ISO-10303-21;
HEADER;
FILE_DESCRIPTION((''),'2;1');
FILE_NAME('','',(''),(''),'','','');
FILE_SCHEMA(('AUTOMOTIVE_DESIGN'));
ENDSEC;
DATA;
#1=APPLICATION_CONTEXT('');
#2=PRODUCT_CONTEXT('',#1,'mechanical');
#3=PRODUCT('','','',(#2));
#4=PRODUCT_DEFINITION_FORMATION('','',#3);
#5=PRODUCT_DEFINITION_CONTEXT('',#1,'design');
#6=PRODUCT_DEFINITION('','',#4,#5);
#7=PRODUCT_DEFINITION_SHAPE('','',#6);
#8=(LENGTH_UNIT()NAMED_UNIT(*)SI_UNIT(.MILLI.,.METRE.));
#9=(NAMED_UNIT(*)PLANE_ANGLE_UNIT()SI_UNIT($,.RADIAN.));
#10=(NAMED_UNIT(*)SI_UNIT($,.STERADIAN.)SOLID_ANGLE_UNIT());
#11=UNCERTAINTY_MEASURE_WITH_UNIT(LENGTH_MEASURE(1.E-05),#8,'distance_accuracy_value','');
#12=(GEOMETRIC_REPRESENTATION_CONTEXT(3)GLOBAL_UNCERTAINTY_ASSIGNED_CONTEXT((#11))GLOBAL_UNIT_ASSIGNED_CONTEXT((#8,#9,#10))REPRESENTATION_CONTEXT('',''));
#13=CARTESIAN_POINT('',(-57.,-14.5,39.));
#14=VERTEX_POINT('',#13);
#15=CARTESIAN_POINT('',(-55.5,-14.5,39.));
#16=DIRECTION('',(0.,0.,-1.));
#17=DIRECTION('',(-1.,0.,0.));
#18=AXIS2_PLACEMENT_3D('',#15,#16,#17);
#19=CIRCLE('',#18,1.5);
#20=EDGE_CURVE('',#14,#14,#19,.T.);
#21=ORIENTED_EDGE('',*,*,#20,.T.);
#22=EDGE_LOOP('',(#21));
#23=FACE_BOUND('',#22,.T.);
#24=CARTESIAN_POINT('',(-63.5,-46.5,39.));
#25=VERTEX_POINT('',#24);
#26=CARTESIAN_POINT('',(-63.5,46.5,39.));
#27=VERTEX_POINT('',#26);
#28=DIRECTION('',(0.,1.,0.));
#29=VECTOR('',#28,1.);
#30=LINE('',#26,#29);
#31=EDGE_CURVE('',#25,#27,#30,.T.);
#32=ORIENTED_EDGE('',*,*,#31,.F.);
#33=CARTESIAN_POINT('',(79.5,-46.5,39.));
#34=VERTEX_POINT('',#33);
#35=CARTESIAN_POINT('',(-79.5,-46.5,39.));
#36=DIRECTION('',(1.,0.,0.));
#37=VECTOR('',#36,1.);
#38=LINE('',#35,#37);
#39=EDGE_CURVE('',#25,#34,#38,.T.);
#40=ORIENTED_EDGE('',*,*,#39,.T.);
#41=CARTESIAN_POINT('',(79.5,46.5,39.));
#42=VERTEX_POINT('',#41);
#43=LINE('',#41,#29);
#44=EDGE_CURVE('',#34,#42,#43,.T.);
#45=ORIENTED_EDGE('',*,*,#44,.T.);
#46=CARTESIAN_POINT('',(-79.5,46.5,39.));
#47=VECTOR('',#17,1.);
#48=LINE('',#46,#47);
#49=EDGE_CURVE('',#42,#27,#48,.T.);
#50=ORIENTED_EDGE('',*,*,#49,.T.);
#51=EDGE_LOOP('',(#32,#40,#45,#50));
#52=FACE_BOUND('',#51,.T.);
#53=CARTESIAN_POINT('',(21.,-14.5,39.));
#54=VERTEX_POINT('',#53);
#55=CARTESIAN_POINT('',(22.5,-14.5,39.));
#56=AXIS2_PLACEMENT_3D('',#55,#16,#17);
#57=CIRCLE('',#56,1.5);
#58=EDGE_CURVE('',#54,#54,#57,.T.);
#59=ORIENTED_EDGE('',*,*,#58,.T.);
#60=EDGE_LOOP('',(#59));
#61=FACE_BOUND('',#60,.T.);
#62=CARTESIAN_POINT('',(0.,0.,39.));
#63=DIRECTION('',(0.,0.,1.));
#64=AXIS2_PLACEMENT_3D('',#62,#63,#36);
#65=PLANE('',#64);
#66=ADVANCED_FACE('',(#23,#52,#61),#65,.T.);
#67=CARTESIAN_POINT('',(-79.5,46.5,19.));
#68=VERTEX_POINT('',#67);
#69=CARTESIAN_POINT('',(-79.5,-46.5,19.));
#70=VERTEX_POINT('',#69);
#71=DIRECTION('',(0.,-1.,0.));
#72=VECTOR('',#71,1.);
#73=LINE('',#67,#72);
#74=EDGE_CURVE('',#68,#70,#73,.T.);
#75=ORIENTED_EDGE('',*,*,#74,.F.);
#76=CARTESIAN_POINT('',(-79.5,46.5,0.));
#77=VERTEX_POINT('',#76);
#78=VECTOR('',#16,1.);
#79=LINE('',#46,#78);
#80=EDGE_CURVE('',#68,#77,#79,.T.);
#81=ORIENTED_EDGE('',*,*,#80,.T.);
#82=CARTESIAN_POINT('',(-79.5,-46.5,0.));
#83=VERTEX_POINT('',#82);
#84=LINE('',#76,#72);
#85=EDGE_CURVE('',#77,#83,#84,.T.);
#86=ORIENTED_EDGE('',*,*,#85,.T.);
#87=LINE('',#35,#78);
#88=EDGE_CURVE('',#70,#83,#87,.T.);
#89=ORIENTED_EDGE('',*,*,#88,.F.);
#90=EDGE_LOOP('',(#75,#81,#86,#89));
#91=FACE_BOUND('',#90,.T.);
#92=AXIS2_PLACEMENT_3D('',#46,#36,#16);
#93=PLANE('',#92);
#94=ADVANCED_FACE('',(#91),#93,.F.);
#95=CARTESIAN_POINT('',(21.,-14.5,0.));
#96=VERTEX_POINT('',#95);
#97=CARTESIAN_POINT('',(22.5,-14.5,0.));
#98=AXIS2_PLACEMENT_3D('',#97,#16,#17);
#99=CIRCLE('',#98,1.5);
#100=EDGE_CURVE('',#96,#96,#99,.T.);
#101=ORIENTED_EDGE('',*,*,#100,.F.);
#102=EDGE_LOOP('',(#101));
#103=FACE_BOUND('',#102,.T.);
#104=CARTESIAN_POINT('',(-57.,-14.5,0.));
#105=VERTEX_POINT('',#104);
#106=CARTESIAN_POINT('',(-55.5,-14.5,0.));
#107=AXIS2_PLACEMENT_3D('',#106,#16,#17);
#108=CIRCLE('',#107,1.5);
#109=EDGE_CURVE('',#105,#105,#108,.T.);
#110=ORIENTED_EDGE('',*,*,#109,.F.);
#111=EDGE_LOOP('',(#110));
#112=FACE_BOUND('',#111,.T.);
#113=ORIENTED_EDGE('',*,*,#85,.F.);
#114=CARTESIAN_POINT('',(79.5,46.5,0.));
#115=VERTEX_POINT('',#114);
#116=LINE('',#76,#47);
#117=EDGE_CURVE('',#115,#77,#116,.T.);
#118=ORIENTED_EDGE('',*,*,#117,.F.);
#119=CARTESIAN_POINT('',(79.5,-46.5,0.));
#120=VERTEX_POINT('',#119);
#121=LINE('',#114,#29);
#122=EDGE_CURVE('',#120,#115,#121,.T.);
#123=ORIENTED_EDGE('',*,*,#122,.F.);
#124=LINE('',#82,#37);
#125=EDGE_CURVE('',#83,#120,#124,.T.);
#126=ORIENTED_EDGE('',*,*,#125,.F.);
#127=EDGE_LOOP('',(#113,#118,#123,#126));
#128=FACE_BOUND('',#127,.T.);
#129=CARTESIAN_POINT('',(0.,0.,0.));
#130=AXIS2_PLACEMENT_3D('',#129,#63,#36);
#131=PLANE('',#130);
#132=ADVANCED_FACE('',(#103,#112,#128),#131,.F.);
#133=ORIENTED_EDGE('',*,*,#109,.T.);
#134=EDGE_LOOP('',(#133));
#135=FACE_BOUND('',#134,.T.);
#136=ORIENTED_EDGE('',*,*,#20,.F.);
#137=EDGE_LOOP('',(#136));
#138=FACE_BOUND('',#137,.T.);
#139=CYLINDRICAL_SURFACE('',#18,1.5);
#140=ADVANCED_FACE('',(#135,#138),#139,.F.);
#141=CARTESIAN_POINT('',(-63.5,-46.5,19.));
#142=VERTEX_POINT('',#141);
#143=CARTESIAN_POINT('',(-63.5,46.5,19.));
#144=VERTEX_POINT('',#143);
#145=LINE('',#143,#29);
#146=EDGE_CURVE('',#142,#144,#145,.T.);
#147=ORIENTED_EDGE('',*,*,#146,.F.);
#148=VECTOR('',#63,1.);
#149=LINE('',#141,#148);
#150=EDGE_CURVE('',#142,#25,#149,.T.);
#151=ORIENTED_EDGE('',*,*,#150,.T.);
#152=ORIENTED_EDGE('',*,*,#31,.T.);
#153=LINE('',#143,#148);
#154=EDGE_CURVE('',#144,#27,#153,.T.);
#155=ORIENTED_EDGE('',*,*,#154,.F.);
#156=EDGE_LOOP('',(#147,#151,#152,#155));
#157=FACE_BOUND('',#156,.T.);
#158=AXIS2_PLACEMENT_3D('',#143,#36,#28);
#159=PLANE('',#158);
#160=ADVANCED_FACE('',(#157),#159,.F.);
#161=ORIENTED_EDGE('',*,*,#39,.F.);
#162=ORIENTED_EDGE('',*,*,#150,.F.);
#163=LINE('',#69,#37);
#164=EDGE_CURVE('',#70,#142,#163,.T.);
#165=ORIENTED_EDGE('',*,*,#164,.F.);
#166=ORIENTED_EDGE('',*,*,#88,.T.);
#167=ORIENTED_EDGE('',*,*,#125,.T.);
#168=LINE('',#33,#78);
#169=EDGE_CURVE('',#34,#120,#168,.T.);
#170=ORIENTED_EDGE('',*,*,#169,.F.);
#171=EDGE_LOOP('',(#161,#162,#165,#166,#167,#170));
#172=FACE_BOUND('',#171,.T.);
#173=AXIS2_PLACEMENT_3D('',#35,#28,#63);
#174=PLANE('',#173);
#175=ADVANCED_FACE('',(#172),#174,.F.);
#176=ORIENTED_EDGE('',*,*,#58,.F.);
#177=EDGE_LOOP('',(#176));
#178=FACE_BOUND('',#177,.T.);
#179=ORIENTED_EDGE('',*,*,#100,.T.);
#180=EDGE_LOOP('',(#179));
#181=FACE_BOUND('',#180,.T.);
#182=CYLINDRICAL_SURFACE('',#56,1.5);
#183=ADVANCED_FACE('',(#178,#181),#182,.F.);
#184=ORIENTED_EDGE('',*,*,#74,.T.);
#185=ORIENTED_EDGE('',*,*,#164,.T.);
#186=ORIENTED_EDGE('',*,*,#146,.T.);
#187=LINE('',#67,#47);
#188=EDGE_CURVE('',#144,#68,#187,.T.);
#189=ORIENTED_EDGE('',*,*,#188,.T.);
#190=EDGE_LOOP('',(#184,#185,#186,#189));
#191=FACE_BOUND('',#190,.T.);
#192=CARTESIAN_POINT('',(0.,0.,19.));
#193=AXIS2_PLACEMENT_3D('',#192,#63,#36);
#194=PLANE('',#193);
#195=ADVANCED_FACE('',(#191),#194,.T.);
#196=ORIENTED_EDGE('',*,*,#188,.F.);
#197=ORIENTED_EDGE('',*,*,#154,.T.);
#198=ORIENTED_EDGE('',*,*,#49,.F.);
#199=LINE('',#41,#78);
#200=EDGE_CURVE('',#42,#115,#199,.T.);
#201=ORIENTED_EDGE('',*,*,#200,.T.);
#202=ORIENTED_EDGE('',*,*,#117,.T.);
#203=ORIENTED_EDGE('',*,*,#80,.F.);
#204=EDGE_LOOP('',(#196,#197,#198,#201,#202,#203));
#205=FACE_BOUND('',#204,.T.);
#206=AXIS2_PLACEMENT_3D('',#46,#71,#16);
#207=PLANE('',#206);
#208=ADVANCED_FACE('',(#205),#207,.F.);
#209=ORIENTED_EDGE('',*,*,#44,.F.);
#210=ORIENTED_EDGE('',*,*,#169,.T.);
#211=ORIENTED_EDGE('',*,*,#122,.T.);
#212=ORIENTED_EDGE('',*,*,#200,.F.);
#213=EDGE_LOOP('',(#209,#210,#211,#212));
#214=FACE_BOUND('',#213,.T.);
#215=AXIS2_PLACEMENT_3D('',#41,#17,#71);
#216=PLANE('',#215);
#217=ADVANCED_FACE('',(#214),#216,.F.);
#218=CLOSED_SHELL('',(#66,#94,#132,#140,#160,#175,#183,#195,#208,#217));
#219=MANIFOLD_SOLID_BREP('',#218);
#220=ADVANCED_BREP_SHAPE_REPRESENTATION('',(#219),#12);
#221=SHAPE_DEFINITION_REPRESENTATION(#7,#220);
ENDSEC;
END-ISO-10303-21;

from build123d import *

# Parameters (mm, degrees)
SKETCH_1_W          = 159
SKETCH_1_H          = 93
EXTRUDE_1_DEPTH     = 39
SKETCH_2_R          = 1.5
CUT_EXTRUDE_1_DEPTH = 39
SKETCH_3_W          = 16
SKETCH_3_H          = 93
CUT_EXTRUDE_2_DEPTH = 20


with BuildPart() as part:
    # Эскиз1 → Бобышка-Вытянуть1 (new body)
    with BuildSketch(Plane.XY):
        Rectangle(SKETCH_1_W, SKETCH_1_H)
    extrude(amount=EXTRUDE_1_DEPTH)

    # Эскиз2 → Вырез-Вытянуть1 (cut)
    with BuildSketch(Plane(origin=(0, 0, 0), x_dir=(-1, 0, 0), z_dir=(0, 0, -1))):
        with Locations((-22.5, -14.5)):
            Circle(SKETCH_2_R)
        with Locations((55.5, -14.5)):
            Circle(SKETCH_2_R)
    extrude(amount=-CUT_EXTRUDE_1_DEPTH, mode=Mode.SUBTRACT)

    # Эскиз3 → Вырез-Вытянуть2 (cut)
    with BuildSketch(Plane.XY.offset(39)):
        with Locations((-71.5, 0)):
            Rectangle(SKETCH_3_W, SKETCH_3_H)
    extrude(amount=-CUT_EXTRUDE_2_DEPTH, mode=Mode.SUBTRACT)


solid = part.part
